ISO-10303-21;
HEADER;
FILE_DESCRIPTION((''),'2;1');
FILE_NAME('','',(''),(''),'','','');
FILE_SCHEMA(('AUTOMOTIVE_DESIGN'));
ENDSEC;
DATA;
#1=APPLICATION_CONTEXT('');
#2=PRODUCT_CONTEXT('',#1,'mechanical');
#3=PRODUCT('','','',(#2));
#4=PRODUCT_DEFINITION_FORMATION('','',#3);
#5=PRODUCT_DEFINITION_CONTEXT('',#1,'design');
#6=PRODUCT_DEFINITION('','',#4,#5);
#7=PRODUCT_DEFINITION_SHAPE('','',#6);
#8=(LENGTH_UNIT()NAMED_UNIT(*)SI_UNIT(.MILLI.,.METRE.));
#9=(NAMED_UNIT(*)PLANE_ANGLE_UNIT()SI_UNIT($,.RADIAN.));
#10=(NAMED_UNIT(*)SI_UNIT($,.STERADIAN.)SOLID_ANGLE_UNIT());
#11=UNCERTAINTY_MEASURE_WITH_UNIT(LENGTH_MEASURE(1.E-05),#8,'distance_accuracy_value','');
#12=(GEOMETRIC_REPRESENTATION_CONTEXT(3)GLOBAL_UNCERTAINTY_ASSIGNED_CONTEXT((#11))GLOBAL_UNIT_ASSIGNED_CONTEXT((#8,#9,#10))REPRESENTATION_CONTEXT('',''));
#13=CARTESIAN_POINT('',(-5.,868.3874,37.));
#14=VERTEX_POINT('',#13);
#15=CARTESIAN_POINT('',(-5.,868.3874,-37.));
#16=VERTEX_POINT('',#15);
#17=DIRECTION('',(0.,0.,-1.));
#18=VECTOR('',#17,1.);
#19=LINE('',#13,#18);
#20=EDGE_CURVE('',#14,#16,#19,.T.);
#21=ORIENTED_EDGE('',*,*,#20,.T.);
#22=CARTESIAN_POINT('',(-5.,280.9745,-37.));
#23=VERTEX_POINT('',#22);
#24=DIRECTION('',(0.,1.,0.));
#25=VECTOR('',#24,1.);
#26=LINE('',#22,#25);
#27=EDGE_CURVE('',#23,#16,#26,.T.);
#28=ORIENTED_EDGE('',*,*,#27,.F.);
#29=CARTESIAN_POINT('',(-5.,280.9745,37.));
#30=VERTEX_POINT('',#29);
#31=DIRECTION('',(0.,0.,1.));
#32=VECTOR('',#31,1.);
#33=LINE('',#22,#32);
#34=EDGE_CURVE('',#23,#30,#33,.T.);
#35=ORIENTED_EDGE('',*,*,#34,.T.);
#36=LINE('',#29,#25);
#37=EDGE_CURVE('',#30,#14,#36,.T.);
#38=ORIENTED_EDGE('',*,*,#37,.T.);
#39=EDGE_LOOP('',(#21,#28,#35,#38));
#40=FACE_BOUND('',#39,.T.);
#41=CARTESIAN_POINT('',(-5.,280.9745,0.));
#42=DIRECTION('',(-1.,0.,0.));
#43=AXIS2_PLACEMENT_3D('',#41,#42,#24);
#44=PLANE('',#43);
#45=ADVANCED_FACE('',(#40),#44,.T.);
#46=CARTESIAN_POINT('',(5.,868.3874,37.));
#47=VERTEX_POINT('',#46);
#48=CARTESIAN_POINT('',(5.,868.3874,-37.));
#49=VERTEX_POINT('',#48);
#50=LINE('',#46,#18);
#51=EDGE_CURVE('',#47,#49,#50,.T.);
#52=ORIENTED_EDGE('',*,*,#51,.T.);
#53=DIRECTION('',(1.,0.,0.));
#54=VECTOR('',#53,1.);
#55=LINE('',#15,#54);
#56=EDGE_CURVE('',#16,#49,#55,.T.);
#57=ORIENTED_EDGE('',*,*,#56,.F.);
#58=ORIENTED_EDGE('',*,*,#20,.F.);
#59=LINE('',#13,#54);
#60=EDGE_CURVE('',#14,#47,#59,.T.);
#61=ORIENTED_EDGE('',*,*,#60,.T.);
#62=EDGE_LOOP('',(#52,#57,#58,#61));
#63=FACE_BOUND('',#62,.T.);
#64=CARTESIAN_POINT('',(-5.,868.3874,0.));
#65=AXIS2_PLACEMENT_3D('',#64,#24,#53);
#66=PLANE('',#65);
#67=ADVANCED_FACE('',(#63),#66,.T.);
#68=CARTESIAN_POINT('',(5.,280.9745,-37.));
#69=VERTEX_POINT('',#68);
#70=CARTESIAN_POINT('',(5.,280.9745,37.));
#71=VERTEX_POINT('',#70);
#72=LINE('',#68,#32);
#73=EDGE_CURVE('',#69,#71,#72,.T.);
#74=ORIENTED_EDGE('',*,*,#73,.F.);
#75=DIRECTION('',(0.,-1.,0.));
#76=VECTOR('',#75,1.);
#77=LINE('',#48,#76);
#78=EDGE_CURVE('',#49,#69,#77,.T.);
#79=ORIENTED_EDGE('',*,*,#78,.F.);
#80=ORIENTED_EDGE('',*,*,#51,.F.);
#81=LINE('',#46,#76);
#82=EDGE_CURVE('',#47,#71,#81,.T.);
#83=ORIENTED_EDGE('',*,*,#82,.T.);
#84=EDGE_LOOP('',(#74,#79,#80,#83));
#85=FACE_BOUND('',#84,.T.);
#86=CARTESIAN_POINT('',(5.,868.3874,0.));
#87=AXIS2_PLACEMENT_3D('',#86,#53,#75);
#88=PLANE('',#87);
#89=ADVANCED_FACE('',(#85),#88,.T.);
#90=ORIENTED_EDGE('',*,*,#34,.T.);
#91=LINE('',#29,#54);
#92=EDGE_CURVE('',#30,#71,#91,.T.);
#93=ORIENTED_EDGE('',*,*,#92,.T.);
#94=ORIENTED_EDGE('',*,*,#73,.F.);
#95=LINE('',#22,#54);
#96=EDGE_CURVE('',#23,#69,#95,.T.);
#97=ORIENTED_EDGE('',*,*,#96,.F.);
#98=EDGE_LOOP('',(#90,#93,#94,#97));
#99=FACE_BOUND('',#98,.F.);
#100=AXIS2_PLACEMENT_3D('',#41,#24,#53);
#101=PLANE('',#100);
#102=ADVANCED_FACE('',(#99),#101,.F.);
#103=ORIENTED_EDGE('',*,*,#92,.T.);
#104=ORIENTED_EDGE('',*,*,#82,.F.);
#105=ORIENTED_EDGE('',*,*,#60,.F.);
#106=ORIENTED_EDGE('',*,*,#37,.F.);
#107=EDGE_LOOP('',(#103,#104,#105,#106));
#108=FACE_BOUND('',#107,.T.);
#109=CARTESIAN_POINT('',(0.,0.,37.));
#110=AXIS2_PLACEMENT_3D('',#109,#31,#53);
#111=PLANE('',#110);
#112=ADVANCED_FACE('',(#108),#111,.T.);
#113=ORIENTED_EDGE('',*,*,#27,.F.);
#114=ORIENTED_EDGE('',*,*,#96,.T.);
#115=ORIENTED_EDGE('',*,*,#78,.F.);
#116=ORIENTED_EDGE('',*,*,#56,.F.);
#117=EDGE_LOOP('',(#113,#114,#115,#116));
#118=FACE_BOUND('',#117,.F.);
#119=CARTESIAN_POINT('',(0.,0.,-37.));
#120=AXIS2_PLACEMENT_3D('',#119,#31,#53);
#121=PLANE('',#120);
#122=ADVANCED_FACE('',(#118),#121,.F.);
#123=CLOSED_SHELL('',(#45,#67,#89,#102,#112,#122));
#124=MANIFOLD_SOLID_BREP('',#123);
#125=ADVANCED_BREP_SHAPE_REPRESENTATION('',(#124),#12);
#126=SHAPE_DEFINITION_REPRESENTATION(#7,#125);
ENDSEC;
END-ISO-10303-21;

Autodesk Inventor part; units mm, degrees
ref_plane "YZ Plane" through (0, 0, 0) normal (1, 0, 0) x (0, 1, 0)
ref_plane "XZ Plane" through (0, 0, 0) normal (0, 1, 0) x (-1, 0, 0)
ref_plane "XY Plane" through (0, 0, 0) normal (0, 0, 1) x (1, 0, 0)
sketch "Sketch1" plane through (0, 0, 0) normal (0, 0, 1) x (1, 0, 0)
  line L0 (0, 277.6336) -> (196.3166, 196.3166) construction
  line L1 (196.3166, 196.3166) -> (277.6336, 0) construction
  line L2 (277.6336, 0) -> (196.3166, -196.3166) construction
  line L3 (196.3166, -196.3166) -> (0, -277.6336) construction
  line L4 (0, -277.6336) -> (-196.3166, -196.3166) construction
  line L5 (-196.3166, -196.3166) -> (-277.6336, 0) construction
  line L6 (-277.6336, 0) -> (-196.3166, 196.3166) construction
  line L7 (-196.3166, 196.3166) -> (0, 277.6336) construction
  line L8 (-196.3166, 196.3166) -> (0, 277.6336) construction
  line L9 (-461.2666, 773.8898) -> (-221.0579, 873.3874) construction
  line L10 (-98.1583, 236.9751) -> (-341.1623, 823.6386) construction
  line L11 (-221.0579, 873.3874) -> (0, 873.3874) construction
  line L12 (0, 873.3874) -> (0, 277.6336) construction
  line L13 (-461.2666, 773.8898) -> (-617.5782, 617.5782) construction
  line L14 (-617.5782, 617.5782) -> (-196.3166, 196.3166) construction
  line L15 (-5, 868.3874) -> (-220.0634, 868.3874) construction
  line L16 (-220.0634, 868.3874) -> (-458.4343, 769.651) construction
  line L17 (-458.4343, 769.651) -> (-610.5071, 617.5782) construction
  line L18 (-610.5071, 617.5782) -> (-195.1434, 202.2145) construction
  line L19 (-195.1434, 202.2145) -> (-5, 280.9745) construction
  line L20 (-5, 280.9745) -> (-5, 868.3874)
  line L21 (-5, 868.3874) -> (-5, 280.9745) construction
  line L22 (5, 868.3874) -> (5, 280.9745)
  line L23 (-5, 280.9745) -> (5, 280.9745)
  line L24 (-5, 868.3874) -> (5, 868.3874)
  point P0 (0, 0)
  point P1 (0, 0)
  point P2 (0, 0)
  dimension "d0" = 513
  dimension "d1" = 260
  dimension "d2" = 635
  dimension "d6" = 5
extrude "Extrusion1" add sketch "Sketch1" along normal mid plane 74
equation "\"d0\" = Барабан_габарит_по_кассетам"
equation "\"d1\" = Кассета_длина_грани"
equation "\"d2\" = Кассета_высота"
equation "\"Барабан_габарит_по_кассетам\" = 513"
equation "\"Кассета_длина_грани\" = 260"
equation "\"Кассета_высота\" = 635"
properties part number "ДМФ 01 58 Фиксатор расстояния кассет"
